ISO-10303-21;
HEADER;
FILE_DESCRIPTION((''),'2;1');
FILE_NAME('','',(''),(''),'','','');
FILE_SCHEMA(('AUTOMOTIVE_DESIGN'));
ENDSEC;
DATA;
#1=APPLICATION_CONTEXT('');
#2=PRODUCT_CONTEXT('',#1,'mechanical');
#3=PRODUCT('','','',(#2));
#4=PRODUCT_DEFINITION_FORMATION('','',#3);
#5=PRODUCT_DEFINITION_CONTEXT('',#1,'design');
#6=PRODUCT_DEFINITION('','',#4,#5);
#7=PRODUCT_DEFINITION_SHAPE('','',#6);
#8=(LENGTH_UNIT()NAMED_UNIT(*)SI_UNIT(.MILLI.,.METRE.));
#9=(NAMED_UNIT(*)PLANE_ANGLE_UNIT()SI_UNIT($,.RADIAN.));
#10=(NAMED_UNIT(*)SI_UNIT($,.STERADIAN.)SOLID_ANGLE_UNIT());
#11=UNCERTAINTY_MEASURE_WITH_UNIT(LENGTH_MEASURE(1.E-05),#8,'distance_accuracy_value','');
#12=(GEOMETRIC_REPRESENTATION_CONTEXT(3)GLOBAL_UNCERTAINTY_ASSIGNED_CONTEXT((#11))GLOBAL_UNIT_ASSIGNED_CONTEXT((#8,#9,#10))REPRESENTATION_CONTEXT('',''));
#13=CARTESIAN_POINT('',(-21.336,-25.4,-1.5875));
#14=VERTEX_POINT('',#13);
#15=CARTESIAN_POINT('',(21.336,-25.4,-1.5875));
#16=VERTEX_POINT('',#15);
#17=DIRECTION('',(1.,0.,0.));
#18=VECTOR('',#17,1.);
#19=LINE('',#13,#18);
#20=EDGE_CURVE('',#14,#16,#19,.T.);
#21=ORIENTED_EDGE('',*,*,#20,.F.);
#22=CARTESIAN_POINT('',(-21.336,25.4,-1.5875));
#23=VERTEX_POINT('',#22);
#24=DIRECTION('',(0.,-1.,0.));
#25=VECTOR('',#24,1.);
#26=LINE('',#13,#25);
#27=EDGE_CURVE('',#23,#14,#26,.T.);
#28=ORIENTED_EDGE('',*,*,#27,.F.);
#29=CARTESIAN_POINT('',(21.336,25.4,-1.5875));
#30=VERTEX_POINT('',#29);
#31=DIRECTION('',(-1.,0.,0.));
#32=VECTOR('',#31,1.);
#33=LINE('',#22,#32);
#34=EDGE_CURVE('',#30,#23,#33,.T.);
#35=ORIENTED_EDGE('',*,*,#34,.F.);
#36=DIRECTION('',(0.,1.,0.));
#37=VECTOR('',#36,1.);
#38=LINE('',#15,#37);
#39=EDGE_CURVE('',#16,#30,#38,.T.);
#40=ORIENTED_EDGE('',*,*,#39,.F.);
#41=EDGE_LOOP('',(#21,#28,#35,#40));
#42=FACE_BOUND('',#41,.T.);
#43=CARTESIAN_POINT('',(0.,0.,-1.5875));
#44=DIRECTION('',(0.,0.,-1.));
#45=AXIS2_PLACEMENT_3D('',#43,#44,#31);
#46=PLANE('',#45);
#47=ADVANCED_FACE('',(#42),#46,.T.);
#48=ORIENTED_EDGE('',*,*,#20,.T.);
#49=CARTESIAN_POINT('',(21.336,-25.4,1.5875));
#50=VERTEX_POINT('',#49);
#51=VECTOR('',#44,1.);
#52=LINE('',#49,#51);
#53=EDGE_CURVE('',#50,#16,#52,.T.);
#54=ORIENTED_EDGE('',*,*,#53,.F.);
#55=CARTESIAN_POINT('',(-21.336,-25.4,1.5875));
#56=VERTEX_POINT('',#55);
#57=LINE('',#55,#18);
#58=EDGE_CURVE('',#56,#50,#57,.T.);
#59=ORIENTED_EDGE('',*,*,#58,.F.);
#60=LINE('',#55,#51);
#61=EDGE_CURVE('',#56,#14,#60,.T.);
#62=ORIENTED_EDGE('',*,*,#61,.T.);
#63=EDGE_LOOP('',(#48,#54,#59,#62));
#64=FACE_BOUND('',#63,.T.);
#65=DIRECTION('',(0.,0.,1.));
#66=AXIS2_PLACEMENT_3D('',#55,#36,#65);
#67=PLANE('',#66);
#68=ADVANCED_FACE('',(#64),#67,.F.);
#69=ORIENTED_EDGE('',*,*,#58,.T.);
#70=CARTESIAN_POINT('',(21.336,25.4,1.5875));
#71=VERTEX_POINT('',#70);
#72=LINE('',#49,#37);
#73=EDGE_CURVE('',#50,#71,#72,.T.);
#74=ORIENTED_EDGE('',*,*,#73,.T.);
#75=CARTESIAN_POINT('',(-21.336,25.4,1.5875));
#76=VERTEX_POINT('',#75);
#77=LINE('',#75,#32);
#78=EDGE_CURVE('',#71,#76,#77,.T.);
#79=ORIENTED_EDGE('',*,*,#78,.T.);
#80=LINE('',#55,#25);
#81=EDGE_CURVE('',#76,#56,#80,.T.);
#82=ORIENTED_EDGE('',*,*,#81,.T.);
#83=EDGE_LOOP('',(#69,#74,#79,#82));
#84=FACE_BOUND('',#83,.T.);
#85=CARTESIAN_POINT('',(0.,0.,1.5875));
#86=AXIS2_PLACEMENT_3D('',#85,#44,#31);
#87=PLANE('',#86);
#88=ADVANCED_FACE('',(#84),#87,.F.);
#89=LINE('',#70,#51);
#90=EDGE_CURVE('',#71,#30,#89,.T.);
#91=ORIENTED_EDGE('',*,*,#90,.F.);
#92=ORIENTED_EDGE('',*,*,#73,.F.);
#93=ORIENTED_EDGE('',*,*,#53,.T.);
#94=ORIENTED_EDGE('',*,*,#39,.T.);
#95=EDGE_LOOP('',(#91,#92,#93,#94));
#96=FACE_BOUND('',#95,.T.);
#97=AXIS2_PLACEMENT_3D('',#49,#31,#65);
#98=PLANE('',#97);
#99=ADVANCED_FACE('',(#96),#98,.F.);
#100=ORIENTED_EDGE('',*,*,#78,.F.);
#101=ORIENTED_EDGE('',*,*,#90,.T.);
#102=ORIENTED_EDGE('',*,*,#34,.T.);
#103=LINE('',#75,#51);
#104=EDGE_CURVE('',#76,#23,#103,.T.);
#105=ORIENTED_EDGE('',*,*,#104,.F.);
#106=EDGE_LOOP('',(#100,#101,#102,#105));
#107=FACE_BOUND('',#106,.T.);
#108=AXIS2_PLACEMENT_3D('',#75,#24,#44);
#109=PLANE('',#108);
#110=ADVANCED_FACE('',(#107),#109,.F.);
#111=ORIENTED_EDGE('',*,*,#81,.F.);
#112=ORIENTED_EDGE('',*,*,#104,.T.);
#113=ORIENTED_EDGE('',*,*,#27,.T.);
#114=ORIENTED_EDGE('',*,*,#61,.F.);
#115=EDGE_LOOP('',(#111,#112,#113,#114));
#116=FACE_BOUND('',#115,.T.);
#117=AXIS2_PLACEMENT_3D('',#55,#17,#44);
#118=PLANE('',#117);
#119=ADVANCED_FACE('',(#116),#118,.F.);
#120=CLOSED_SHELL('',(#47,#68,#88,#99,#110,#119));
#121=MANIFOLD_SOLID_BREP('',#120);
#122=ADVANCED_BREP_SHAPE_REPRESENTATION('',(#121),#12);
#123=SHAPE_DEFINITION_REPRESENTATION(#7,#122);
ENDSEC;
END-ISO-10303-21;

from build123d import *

# Parameters (mm, degrees)
SKETCH2_W           = 42.672
SKETCH2_H           = 50.8
BOSS_EXTRUDE1_DEPTH = 1.5875


with BuildPart() as part:
    # Sketch2 → Boss-Extrude1 (new body, symmetric)
    with BuildSketch(Plane.XY):
        Rectangle(SKETCH2_W, SKETCH2_H)
    extrude(amount=BOSS_EXTRUDE1_DEPTH, both=True)


solid = part.part
